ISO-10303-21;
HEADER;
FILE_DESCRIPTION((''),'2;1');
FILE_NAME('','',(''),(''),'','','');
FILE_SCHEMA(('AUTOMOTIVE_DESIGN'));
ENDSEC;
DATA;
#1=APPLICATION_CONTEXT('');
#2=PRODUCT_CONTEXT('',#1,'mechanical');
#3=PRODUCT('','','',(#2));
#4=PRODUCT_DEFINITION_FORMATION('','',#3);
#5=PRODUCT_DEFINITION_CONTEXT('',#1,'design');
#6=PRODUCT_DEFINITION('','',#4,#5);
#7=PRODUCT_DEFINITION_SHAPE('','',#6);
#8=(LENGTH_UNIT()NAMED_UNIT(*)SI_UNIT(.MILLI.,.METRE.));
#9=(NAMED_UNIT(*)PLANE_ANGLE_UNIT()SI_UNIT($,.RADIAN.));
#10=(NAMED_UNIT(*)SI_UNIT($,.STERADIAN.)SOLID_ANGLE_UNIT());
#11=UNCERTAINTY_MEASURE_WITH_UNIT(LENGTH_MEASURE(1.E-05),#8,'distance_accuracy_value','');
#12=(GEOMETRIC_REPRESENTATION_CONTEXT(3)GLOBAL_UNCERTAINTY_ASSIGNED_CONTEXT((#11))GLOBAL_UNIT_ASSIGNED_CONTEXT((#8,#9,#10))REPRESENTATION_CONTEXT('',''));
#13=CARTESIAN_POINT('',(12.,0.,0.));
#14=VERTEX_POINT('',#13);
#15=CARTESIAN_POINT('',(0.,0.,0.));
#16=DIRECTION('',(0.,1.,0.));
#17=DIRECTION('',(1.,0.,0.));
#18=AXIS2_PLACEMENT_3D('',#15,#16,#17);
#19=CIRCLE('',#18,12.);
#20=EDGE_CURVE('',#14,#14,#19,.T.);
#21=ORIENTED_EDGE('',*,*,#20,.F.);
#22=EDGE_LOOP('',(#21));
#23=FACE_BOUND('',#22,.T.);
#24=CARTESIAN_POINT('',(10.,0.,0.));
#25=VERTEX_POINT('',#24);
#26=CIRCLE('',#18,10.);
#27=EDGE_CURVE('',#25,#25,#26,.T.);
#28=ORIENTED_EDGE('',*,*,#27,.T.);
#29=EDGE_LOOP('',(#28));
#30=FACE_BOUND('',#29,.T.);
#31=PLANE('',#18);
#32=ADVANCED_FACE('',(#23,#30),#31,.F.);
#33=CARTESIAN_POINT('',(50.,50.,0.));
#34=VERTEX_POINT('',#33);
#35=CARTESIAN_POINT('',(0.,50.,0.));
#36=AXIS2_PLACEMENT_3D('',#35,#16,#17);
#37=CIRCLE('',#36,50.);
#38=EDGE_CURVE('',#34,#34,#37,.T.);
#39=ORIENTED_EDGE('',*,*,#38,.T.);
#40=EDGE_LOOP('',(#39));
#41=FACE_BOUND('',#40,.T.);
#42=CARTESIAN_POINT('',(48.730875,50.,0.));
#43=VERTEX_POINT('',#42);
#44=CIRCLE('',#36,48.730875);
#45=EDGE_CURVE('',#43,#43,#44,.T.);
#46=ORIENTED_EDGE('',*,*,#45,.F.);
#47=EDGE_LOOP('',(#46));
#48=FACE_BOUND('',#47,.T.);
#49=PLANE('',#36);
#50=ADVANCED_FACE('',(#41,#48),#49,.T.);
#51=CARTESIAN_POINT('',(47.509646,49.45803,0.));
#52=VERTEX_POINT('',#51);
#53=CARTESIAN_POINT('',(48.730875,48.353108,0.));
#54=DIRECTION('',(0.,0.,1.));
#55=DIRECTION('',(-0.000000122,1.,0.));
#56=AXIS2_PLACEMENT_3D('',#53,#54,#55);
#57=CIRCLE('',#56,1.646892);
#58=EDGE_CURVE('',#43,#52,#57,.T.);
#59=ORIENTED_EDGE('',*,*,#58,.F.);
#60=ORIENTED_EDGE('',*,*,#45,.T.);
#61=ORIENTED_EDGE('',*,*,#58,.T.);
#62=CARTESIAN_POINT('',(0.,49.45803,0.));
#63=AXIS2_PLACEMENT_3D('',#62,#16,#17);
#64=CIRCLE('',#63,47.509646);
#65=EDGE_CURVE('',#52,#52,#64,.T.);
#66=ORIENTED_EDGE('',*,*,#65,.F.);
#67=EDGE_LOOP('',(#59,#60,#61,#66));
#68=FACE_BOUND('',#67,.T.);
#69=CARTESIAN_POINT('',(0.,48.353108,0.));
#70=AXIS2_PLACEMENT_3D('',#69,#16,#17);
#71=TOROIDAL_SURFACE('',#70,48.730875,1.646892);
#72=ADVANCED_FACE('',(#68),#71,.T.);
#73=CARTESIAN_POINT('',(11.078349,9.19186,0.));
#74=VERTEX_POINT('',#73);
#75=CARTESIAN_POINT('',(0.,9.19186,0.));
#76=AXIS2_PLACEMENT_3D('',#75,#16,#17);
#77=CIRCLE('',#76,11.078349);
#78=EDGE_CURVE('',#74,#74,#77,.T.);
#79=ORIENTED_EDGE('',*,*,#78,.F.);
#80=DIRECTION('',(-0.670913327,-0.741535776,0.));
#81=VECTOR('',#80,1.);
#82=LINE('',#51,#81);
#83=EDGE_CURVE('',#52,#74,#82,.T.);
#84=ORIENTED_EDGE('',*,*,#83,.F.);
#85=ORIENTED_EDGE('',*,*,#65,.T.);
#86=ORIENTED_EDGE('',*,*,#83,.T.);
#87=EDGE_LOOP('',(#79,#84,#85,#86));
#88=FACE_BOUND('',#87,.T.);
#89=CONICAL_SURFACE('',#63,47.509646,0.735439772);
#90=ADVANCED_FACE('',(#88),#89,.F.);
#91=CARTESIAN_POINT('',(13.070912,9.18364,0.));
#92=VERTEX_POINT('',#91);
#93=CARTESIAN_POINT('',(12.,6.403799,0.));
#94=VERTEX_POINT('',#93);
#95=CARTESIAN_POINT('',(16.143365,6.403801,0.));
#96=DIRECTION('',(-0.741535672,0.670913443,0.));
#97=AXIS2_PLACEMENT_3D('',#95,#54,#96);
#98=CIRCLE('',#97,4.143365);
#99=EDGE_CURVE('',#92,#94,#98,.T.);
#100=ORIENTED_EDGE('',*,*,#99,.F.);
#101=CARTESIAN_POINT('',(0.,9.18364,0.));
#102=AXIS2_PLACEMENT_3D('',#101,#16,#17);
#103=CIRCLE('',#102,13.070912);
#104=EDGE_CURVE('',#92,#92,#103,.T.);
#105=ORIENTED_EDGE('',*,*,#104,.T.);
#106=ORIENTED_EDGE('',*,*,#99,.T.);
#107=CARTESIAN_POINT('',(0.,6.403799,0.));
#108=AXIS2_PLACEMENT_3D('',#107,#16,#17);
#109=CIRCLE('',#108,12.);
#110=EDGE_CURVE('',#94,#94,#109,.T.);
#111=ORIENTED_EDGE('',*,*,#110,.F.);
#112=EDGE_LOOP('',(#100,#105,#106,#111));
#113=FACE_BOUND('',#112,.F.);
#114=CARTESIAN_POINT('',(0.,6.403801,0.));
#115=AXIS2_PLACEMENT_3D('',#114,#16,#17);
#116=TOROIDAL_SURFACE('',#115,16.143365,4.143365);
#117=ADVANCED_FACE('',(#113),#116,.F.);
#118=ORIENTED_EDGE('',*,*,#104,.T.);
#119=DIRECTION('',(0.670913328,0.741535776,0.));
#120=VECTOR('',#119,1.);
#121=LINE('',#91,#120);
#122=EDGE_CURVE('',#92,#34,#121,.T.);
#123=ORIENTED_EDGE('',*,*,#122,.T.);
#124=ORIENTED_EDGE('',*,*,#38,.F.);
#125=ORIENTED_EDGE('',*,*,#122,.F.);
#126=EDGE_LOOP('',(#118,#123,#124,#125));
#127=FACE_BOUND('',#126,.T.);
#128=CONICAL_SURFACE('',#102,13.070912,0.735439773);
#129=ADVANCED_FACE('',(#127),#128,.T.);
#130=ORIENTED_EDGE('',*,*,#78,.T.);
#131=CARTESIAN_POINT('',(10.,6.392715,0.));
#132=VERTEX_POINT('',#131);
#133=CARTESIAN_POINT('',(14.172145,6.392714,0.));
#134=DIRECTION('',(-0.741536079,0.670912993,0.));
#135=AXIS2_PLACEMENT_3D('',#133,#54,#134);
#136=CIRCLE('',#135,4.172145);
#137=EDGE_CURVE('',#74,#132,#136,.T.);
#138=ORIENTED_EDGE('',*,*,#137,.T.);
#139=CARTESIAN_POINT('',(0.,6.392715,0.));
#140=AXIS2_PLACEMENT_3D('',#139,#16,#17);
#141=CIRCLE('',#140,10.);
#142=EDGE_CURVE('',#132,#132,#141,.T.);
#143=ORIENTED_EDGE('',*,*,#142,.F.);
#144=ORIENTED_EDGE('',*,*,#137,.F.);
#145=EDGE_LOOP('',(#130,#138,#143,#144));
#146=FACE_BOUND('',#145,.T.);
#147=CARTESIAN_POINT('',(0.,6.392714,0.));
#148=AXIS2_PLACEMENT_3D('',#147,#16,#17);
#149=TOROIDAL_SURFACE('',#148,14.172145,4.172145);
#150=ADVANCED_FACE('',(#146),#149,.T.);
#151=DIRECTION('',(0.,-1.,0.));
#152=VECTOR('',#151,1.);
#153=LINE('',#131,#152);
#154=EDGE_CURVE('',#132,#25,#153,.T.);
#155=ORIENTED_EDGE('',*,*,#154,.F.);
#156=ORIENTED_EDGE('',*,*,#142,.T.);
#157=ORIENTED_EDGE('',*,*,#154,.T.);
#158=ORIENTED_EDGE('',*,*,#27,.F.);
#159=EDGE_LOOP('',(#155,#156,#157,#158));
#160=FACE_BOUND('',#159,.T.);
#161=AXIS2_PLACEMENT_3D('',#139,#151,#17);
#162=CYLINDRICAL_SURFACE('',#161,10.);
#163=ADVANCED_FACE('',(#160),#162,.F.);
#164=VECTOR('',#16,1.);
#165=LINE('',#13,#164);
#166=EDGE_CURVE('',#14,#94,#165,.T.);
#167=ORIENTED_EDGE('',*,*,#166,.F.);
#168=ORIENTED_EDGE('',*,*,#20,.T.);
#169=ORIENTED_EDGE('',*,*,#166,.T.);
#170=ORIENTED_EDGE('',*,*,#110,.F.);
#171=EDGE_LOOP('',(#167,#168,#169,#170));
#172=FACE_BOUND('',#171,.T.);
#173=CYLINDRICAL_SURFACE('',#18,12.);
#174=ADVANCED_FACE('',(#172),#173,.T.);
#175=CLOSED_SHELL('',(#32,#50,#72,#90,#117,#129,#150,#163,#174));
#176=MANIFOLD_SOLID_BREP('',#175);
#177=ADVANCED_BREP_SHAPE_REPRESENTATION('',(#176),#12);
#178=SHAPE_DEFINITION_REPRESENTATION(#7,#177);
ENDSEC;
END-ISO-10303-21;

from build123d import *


with BuildPart() as part:
    # Sketch → Revolution (revolve)
    with BuildSketch(Plane.XY):
        with BuildLine():
            Line((10, 0), (12, 0))
            Line((12, 0), (12, 6.403799))
            ThreePointArc((13.070912, 9.18364), (12.276986, 7.893293), (12, 6.403799))
            Line((13.070912, 9.18364), (50, 50))
            Line((50, 50), (48.730875, 50))
            ThreePointArc((48.730875, 50), (48.062831, 49.858422), (47.509646, 49.45803))
            Line((47.509646, 49.45803), (11.078349, 9.19186))
            ThreePointArc((11.078349, 9.19186), (10.27891, 7.892552), (10, 6.392715))
            Line((10, 6.392715), (10, 0))
        make_face()
    revolve(axis=Axis((0, 0, 0), (0, 1, 0)))


solid = part.part
